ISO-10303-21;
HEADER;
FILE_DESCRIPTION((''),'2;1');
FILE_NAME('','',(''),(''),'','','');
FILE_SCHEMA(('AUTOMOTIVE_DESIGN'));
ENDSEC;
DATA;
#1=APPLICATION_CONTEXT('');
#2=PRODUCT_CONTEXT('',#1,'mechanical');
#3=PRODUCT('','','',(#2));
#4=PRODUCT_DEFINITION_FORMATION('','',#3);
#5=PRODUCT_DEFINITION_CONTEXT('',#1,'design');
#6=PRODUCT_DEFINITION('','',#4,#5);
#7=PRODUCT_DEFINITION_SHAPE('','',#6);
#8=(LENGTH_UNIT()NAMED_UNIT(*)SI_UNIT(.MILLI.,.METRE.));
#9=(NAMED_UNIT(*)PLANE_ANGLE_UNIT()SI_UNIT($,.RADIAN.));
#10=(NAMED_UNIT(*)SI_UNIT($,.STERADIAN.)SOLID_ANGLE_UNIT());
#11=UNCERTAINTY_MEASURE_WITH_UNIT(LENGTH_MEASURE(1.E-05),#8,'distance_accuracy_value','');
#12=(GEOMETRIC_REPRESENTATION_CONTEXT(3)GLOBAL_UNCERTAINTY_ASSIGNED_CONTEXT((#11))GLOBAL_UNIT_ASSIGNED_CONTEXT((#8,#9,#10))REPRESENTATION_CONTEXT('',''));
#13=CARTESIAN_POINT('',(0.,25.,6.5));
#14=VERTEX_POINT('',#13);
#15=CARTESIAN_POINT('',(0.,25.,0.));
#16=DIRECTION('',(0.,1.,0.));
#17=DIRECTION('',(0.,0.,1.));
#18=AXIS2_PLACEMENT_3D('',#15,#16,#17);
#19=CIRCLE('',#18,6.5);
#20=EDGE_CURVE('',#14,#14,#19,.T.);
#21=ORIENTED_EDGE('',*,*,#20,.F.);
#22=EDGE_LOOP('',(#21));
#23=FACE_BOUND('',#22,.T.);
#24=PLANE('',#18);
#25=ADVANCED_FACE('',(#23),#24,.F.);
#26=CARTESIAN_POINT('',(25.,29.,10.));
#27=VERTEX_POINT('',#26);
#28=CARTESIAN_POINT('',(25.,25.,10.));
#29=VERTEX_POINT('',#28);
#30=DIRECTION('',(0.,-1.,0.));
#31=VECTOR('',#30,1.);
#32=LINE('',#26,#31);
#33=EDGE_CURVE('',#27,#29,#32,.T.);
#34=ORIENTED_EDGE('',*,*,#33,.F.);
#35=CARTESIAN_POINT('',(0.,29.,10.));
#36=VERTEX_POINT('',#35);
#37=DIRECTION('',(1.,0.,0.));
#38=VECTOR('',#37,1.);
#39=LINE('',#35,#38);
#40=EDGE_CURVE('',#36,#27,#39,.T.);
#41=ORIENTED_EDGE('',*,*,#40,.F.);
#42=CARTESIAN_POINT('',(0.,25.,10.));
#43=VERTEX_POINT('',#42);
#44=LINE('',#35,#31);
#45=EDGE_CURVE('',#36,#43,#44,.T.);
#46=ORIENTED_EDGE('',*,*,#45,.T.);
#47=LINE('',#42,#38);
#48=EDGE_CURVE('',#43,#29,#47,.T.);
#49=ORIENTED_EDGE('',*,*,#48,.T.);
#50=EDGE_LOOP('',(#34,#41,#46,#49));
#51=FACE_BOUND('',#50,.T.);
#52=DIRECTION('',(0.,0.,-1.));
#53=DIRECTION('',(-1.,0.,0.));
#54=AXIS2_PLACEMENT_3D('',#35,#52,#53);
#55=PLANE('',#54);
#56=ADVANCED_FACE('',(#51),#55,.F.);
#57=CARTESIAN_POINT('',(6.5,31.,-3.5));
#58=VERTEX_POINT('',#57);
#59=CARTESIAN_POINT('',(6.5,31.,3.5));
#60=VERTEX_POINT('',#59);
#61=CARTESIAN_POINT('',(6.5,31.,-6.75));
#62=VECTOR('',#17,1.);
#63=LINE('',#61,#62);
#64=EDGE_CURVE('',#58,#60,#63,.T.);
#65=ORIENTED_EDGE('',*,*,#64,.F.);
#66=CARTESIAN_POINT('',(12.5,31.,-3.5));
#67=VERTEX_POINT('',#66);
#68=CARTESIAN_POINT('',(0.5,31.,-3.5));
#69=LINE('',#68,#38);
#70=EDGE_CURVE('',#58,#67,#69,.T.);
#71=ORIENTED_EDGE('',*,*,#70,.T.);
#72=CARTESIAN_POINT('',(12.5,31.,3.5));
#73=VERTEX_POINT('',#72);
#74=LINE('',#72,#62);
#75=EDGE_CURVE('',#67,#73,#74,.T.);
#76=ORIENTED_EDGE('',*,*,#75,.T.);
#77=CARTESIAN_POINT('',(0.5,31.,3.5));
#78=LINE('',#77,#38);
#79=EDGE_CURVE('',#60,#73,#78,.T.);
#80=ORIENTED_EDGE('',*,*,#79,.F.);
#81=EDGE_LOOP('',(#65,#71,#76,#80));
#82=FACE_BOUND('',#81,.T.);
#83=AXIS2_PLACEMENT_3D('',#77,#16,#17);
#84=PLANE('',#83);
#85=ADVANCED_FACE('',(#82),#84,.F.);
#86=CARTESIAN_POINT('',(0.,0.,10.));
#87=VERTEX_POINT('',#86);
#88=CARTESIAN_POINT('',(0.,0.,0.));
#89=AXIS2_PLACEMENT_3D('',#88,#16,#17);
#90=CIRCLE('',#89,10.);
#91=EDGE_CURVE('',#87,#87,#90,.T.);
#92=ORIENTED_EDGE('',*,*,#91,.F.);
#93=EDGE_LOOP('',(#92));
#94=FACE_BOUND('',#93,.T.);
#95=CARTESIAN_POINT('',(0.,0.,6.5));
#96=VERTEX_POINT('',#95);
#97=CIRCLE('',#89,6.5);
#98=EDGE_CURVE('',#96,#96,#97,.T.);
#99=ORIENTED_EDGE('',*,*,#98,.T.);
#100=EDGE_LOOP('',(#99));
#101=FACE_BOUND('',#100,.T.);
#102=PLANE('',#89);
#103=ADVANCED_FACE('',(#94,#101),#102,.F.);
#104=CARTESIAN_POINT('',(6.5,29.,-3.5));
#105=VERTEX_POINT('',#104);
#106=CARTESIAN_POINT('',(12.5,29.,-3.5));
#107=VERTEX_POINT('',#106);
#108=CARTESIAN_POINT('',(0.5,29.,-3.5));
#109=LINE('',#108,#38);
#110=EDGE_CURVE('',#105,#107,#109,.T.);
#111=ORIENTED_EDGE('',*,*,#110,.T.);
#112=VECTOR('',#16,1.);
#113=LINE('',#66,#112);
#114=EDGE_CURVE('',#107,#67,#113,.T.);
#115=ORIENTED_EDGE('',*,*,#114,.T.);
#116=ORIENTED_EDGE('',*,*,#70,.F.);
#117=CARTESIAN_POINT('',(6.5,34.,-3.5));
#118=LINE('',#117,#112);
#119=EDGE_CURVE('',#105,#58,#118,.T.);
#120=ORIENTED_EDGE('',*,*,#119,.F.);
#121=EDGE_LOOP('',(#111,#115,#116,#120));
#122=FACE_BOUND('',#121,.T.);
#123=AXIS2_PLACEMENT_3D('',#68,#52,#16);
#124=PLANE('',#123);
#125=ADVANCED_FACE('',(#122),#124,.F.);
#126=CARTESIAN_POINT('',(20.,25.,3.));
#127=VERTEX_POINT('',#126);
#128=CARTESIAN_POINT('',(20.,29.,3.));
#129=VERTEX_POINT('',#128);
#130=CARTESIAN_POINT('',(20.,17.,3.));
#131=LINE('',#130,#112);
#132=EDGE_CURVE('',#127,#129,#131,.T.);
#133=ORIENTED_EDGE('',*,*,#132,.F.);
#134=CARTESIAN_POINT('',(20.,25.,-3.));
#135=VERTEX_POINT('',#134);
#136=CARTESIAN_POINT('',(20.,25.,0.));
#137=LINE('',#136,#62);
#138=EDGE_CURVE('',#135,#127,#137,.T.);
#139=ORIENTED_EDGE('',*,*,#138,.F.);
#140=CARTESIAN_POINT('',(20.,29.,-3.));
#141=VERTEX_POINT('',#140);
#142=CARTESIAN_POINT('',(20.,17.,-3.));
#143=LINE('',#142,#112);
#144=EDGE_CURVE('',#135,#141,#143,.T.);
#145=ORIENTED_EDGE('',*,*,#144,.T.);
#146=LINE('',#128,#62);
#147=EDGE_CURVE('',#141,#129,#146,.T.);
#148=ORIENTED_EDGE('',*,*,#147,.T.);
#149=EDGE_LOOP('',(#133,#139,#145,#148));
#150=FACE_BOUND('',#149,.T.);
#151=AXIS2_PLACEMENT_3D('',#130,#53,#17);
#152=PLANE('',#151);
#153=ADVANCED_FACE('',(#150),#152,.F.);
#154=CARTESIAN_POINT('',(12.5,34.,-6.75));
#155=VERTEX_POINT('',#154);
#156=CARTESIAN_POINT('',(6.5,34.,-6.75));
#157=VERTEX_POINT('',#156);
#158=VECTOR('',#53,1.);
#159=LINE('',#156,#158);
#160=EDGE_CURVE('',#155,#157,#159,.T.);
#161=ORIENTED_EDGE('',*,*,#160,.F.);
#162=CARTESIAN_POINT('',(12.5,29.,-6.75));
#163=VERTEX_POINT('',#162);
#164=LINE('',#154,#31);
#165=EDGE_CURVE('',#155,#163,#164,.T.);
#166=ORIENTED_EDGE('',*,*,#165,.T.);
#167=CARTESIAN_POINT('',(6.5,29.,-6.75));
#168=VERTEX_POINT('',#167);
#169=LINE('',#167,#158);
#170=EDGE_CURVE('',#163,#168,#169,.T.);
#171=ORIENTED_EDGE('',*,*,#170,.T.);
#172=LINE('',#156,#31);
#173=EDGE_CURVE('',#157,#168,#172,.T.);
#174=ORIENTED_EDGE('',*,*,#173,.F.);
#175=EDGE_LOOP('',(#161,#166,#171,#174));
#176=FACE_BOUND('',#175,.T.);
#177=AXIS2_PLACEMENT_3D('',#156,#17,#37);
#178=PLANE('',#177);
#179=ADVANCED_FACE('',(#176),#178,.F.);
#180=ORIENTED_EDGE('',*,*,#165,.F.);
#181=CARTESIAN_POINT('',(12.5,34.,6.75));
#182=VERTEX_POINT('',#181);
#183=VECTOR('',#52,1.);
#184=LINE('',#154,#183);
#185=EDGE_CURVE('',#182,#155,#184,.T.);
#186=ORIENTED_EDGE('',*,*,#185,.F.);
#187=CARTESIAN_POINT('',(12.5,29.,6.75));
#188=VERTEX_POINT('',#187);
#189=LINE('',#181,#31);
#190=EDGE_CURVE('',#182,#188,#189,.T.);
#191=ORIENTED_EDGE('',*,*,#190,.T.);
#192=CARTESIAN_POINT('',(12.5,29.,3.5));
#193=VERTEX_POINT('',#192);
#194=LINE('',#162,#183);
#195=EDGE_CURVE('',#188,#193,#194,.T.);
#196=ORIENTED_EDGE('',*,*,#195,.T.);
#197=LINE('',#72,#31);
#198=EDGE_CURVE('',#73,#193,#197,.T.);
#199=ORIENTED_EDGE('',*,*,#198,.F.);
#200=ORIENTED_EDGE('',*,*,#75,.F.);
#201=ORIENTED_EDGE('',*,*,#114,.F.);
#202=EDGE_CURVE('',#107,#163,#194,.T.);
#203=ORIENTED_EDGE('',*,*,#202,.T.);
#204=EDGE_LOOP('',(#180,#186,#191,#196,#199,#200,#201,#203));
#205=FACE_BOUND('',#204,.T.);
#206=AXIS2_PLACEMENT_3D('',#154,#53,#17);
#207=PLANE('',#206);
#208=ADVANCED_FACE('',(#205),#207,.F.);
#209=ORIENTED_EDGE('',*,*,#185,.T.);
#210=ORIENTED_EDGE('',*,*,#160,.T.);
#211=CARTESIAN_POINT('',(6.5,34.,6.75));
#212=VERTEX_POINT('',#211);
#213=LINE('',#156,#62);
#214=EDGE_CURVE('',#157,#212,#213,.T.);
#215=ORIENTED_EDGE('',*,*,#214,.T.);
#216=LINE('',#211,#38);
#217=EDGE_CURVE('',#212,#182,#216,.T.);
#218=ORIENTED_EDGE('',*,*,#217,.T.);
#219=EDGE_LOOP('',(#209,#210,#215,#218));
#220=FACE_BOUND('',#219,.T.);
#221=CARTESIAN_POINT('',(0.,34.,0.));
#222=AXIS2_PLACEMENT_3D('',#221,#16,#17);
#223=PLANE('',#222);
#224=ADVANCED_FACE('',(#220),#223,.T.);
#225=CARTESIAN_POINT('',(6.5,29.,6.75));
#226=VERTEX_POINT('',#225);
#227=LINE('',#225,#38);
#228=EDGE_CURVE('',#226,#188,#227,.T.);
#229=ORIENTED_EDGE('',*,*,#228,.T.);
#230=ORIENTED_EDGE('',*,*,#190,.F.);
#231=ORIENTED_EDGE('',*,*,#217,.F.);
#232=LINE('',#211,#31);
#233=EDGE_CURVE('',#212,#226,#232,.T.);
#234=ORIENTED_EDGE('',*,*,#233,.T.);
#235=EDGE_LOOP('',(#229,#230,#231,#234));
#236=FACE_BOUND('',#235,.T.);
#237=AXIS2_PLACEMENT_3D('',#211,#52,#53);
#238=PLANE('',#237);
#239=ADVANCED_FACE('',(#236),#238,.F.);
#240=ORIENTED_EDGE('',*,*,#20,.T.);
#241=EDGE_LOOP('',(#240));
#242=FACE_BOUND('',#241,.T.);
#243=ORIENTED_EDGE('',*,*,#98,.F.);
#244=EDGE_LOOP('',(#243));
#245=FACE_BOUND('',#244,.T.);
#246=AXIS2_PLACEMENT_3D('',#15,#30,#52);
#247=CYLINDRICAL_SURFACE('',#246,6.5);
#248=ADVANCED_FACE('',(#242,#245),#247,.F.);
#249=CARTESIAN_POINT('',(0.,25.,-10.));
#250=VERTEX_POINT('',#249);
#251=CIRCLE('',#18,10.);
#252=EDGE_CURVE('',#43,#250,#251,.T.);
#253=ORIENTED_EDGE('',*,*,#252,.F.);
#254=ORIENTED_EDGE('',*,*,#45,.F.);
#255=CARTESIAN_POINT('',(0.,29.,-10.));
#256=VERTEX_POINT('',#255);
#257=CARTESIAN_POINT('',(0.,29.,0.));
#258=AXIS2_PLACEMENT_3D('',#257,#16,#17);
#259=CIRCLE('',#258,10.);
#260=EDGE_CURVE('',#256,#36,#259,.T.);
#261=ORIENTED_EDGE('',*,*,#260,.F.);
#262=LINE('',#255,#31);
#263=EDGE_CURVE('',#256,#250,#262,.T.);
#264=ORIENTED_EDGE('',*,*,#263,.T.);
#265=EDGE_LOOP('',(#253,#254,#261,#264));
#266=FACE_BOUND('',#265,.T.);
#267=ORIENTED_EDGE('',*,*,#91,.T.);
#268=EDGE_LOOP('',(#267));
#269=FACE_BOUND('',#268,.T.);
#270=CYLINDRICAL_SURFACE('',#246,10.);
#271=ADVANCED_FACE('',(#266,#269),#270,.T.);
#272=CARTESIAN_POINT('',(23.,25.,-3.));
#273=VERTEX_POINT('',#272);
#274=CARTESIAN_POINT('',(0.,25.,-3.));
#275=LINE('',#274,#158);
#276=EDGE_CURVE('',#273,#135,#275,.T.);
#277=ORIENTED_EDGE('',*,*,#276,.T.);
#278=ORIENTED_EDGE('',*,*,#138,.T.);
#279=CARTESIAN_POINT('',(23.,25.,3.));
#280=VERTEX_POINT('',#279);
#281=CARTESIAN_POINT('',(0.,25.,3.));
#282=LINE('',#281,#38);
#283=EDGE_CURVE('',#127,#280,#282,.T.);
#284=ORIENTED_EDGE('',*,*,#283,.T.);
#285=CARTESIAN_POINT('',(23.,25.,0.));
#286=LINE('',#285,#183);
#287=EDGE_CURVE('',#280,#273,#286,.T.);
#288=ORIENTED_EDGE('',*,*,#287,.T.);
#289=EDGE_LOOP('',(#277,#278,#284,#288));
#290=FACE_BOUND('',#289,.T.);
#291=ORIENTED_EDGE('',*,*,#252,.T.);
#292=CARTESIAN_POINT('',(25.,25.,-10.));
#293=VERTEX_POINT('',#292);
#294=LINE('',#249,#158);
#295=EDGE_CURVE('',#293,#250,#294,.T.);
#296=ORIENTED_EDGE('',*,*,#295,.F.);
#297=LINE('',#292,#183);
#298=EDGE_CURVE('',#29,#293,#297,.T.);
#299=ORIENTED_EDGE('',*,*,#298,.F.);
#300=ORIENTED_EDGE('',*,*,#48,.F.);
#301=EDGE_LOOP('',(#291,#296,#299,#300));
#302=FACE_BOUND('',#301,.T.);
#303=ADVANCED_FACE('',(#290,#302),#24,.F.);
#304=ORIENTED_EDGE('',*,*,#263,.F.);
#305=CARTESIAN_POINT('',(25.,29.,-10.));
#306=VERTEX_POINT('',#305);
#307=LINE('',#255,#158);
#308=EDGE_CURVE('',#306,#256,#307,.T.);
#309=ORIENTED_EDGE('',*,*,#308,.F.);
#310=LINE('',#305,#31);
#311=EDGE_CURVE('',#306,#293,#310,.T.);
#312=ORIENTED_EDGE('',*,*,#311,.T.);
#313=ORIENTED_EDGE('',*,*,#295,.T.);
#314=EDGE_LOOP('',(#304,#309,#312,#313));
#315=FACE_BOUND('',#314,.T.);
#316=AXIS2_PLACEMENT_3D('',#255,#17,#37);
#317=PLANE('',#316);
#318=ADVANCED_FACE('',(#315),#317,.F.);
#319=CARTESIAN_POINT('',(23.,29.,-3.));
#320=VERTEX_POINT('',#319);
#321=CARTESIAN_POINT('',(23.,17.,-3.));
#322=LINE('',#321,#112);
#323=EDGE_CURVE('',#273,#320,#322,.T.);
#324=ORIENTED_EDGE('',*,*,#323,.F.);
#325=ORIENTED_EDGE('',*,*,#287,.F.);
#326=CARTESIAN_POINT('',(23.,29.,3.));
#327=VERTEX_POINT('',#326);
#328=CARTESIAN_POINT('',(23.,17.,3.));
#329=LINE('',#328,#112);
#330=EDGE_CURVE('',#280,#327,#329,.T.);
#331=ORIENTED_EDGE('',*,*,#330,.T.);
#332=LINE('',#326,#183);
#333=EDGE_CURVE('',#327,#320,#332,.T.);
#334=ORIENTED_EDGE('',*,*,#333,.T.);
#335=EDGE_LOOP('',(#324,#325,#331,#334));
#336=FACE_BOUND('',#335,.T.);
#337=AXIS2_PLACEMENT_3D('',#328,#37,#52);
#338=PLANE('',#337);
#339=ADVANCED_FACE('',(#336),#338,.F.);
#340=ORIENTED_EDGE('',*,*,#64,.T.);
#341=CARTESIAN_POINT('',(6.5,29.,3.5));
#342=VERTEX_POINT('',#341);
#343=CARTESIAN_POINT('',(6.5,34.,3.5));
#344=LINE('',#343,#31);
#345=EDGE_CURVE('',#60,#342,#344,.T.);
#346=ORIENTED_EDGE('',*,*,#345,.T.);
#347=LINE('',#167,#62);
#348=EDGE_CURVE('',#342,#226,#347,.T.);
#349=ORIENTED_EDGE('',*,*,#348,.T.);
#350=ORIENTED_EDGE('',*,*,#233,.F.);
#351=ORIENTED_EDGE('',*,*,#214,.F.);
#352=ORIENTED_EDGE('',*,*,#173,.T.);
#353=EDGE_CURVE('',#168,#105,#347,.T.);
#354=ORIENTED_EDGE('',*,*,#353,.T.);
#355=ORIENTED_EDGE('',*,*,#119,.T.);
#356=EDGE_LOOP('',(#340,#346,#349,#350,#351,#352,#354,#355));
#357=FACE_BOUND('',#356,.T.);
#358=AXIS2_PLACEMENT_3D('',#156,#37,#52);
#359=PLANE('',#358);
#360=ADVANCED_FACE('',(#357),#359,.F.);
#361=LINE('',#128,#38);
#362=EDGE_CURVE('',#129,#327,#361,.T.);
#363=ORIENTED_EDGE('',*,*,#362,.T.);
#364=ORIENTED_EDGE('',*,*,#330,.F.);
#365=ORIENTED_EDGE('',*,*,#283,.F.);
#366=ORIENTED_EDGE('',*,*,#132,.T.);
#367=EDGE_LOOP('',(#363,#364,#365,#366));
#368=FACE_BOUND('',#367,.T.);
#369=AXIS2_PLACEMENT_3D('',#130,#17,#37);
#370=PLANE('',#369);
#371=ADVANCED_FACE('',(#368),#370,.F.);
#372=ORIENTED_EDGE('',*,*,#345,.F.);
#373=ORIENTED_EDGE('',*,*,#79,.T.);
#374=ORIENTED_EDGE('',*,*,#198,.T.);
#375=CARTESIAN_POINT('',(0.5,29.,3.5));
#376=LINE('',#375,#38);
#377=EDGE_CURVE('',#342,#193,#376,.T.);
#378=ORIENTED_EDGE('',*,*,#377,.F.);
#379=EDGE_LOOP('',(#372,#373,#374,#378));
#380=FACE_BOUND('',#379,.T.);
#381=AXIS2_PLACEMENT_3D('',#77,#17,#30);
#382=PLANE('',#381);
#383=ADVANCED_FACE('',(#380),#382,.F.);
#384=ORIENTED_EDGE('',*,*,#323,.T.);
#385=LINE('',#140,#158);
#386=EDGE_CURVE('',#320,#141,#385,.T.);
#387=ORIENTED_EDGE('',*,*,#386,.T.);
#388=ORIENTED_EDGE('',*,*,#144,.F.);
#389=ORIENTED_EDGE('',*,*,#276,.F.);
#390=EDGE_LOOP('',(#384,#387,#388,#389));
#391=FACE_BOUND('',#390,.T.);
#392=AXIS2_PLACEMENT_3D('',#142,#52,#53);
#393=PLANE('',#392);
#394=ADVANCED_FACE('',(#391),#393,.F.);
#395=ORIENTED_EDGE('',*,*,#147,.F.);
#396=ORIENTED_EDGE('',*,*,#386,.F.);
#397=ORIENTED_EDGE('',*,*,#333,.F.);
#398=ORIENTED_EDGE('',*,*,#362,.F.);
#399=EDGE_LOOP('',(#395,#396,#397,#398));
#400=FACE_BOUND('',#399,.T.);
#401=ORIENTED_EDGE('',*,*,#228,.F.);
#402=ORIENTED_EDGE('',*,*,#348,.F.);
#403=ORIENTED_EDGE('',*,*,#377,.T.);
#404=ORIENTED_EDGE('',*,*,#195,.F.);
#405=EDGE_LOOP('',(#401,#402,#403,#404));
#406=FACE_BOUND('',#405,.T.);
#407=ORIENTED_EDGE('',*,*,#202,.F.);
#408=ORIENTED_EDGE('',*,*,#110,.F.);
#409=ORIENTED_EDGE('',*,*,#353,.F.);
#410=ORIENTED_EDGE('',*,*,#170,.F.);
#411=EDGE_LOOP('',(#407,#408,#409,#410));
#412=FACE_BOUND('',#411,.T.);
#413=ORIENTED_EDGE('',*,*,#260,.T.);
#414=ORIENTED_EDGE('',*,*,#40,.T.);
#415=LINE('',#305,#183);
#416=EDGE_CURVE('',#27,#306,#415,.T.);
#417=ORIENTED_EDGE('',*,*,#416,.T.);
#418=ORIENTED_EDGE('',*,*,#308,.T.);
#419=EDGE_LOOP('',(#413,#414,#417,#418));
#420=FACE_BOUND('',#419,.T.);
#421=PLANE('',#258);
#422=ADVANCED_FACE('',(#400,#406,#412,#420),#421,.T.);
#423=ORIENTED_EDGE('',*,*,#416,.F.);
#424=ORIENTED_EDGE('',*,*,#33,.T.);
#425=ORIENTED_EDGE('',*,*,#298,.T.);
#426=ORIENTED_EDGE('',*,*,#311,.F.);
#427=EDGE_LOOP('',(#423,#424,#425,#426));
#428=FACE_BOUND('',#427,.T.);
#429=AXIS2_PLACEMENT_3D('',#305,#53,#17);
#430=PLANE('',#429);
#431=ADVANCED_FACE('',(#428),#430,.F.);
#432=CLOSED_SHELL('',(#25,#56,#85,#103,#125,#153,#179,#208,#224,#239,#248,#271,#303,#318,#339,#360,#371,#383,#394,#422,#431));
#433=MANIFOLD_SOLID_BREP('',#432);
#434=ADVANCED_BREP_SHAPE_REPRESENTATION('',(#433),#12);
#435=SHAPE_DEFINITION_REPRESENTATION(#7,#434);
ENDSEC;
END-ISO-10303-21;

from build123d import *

# Parameters (mm, degrees)
SKETCH1_R           = 10
SKETCH1_R_2         = 6.5
BOSS_EXTRUDE1_DEPTH = 25
BOSS_EXTRUDE2_DEPTH = 4
SKETCH3_W           = 6
SKETCH3_H           = 13.5
BOSS_EXTRUDE3_DEPTH = 5
SKETCH4_W           = 7
SKETCH4_H           = 2
CUT_EXTRUDE1_DEPTH  = 12
SKETCH5_W           = 3
SKETCH5_H           = 6
CUT_EXTRUDE2_DEPTH  = 12


with BuildPart() as part:
    # Sketch1 → Boss-Extrude1 (new body)
    with BuildSketch(Plane(origin=(0, 0, 0), x_dir=(1, 0, 0), z_dir=(0, 1, 0))):
        Circle(SKETCH1_R)
        Circle(SKETCH1_R_2, mode=Mode.SUBTRACT)
    extrude(amount=BOSS_EXTRUDE1_DEPTH)

    # Sketch2 → Boss-Extrude2 (add)
    with BuildSketch(Plane(origin=(0, 25, 0), x_dir=(1, 0, 0), z_dir=(0, 1, 0))):
        with BuildLine():
            Line((0, 10), (25, 10))
            Line((25, 10), (25, -10))
            Line((25, -10), (0, -10))
            ThreePointArc((0, -10), (-10, 0), (0, 10))
        make_face()
    extrude(amount=BOSS_EXTRUDE2_DEPTH)

    # Sketch3 → Boss-Extrude3 (add)
    with BuildSketch(Plane(origin=(0, 29, 0), x_dir=(1, 0, 0), z_dir=(0, 1, 0))):
        with Locations((9.5, 0)):
            Rectangle(SKETCH3_W, SKETCH3_H)
    extrude(amount=BOSS_EXTRUDE3_DEPTH)

    # Sketch4 → Cut-Extrude1 (cut)
    with BuildSketch(Plane(origin=(12.5, 0, 0), x_dir=(0, 0, -1), z_dir=(1, 0, 0))):
        with Locations((0, 30)):
            Rectangle(SKETCH4_W, SKETCH4_H)
    extrude(amount=-CUT_EXTRUDE1_DEPTH, mode=Mode.SUBTRACT)

    # Sketch5 → Cut-Extrude2 (cut)
    with BuildSketch(Plane(origin=(0, 29, 0), x_dir=(1, 0, 0), z_dir=(0, 1, 0))):
        with Locations((21.5, 0)):
            Rectangle(SKETCH5_W, SKETCH5_H)
    extrude(amount=-CUT_EXTRUDE2_DEPTH, mode=Mode.SUBTRACT)


solid = part.part
